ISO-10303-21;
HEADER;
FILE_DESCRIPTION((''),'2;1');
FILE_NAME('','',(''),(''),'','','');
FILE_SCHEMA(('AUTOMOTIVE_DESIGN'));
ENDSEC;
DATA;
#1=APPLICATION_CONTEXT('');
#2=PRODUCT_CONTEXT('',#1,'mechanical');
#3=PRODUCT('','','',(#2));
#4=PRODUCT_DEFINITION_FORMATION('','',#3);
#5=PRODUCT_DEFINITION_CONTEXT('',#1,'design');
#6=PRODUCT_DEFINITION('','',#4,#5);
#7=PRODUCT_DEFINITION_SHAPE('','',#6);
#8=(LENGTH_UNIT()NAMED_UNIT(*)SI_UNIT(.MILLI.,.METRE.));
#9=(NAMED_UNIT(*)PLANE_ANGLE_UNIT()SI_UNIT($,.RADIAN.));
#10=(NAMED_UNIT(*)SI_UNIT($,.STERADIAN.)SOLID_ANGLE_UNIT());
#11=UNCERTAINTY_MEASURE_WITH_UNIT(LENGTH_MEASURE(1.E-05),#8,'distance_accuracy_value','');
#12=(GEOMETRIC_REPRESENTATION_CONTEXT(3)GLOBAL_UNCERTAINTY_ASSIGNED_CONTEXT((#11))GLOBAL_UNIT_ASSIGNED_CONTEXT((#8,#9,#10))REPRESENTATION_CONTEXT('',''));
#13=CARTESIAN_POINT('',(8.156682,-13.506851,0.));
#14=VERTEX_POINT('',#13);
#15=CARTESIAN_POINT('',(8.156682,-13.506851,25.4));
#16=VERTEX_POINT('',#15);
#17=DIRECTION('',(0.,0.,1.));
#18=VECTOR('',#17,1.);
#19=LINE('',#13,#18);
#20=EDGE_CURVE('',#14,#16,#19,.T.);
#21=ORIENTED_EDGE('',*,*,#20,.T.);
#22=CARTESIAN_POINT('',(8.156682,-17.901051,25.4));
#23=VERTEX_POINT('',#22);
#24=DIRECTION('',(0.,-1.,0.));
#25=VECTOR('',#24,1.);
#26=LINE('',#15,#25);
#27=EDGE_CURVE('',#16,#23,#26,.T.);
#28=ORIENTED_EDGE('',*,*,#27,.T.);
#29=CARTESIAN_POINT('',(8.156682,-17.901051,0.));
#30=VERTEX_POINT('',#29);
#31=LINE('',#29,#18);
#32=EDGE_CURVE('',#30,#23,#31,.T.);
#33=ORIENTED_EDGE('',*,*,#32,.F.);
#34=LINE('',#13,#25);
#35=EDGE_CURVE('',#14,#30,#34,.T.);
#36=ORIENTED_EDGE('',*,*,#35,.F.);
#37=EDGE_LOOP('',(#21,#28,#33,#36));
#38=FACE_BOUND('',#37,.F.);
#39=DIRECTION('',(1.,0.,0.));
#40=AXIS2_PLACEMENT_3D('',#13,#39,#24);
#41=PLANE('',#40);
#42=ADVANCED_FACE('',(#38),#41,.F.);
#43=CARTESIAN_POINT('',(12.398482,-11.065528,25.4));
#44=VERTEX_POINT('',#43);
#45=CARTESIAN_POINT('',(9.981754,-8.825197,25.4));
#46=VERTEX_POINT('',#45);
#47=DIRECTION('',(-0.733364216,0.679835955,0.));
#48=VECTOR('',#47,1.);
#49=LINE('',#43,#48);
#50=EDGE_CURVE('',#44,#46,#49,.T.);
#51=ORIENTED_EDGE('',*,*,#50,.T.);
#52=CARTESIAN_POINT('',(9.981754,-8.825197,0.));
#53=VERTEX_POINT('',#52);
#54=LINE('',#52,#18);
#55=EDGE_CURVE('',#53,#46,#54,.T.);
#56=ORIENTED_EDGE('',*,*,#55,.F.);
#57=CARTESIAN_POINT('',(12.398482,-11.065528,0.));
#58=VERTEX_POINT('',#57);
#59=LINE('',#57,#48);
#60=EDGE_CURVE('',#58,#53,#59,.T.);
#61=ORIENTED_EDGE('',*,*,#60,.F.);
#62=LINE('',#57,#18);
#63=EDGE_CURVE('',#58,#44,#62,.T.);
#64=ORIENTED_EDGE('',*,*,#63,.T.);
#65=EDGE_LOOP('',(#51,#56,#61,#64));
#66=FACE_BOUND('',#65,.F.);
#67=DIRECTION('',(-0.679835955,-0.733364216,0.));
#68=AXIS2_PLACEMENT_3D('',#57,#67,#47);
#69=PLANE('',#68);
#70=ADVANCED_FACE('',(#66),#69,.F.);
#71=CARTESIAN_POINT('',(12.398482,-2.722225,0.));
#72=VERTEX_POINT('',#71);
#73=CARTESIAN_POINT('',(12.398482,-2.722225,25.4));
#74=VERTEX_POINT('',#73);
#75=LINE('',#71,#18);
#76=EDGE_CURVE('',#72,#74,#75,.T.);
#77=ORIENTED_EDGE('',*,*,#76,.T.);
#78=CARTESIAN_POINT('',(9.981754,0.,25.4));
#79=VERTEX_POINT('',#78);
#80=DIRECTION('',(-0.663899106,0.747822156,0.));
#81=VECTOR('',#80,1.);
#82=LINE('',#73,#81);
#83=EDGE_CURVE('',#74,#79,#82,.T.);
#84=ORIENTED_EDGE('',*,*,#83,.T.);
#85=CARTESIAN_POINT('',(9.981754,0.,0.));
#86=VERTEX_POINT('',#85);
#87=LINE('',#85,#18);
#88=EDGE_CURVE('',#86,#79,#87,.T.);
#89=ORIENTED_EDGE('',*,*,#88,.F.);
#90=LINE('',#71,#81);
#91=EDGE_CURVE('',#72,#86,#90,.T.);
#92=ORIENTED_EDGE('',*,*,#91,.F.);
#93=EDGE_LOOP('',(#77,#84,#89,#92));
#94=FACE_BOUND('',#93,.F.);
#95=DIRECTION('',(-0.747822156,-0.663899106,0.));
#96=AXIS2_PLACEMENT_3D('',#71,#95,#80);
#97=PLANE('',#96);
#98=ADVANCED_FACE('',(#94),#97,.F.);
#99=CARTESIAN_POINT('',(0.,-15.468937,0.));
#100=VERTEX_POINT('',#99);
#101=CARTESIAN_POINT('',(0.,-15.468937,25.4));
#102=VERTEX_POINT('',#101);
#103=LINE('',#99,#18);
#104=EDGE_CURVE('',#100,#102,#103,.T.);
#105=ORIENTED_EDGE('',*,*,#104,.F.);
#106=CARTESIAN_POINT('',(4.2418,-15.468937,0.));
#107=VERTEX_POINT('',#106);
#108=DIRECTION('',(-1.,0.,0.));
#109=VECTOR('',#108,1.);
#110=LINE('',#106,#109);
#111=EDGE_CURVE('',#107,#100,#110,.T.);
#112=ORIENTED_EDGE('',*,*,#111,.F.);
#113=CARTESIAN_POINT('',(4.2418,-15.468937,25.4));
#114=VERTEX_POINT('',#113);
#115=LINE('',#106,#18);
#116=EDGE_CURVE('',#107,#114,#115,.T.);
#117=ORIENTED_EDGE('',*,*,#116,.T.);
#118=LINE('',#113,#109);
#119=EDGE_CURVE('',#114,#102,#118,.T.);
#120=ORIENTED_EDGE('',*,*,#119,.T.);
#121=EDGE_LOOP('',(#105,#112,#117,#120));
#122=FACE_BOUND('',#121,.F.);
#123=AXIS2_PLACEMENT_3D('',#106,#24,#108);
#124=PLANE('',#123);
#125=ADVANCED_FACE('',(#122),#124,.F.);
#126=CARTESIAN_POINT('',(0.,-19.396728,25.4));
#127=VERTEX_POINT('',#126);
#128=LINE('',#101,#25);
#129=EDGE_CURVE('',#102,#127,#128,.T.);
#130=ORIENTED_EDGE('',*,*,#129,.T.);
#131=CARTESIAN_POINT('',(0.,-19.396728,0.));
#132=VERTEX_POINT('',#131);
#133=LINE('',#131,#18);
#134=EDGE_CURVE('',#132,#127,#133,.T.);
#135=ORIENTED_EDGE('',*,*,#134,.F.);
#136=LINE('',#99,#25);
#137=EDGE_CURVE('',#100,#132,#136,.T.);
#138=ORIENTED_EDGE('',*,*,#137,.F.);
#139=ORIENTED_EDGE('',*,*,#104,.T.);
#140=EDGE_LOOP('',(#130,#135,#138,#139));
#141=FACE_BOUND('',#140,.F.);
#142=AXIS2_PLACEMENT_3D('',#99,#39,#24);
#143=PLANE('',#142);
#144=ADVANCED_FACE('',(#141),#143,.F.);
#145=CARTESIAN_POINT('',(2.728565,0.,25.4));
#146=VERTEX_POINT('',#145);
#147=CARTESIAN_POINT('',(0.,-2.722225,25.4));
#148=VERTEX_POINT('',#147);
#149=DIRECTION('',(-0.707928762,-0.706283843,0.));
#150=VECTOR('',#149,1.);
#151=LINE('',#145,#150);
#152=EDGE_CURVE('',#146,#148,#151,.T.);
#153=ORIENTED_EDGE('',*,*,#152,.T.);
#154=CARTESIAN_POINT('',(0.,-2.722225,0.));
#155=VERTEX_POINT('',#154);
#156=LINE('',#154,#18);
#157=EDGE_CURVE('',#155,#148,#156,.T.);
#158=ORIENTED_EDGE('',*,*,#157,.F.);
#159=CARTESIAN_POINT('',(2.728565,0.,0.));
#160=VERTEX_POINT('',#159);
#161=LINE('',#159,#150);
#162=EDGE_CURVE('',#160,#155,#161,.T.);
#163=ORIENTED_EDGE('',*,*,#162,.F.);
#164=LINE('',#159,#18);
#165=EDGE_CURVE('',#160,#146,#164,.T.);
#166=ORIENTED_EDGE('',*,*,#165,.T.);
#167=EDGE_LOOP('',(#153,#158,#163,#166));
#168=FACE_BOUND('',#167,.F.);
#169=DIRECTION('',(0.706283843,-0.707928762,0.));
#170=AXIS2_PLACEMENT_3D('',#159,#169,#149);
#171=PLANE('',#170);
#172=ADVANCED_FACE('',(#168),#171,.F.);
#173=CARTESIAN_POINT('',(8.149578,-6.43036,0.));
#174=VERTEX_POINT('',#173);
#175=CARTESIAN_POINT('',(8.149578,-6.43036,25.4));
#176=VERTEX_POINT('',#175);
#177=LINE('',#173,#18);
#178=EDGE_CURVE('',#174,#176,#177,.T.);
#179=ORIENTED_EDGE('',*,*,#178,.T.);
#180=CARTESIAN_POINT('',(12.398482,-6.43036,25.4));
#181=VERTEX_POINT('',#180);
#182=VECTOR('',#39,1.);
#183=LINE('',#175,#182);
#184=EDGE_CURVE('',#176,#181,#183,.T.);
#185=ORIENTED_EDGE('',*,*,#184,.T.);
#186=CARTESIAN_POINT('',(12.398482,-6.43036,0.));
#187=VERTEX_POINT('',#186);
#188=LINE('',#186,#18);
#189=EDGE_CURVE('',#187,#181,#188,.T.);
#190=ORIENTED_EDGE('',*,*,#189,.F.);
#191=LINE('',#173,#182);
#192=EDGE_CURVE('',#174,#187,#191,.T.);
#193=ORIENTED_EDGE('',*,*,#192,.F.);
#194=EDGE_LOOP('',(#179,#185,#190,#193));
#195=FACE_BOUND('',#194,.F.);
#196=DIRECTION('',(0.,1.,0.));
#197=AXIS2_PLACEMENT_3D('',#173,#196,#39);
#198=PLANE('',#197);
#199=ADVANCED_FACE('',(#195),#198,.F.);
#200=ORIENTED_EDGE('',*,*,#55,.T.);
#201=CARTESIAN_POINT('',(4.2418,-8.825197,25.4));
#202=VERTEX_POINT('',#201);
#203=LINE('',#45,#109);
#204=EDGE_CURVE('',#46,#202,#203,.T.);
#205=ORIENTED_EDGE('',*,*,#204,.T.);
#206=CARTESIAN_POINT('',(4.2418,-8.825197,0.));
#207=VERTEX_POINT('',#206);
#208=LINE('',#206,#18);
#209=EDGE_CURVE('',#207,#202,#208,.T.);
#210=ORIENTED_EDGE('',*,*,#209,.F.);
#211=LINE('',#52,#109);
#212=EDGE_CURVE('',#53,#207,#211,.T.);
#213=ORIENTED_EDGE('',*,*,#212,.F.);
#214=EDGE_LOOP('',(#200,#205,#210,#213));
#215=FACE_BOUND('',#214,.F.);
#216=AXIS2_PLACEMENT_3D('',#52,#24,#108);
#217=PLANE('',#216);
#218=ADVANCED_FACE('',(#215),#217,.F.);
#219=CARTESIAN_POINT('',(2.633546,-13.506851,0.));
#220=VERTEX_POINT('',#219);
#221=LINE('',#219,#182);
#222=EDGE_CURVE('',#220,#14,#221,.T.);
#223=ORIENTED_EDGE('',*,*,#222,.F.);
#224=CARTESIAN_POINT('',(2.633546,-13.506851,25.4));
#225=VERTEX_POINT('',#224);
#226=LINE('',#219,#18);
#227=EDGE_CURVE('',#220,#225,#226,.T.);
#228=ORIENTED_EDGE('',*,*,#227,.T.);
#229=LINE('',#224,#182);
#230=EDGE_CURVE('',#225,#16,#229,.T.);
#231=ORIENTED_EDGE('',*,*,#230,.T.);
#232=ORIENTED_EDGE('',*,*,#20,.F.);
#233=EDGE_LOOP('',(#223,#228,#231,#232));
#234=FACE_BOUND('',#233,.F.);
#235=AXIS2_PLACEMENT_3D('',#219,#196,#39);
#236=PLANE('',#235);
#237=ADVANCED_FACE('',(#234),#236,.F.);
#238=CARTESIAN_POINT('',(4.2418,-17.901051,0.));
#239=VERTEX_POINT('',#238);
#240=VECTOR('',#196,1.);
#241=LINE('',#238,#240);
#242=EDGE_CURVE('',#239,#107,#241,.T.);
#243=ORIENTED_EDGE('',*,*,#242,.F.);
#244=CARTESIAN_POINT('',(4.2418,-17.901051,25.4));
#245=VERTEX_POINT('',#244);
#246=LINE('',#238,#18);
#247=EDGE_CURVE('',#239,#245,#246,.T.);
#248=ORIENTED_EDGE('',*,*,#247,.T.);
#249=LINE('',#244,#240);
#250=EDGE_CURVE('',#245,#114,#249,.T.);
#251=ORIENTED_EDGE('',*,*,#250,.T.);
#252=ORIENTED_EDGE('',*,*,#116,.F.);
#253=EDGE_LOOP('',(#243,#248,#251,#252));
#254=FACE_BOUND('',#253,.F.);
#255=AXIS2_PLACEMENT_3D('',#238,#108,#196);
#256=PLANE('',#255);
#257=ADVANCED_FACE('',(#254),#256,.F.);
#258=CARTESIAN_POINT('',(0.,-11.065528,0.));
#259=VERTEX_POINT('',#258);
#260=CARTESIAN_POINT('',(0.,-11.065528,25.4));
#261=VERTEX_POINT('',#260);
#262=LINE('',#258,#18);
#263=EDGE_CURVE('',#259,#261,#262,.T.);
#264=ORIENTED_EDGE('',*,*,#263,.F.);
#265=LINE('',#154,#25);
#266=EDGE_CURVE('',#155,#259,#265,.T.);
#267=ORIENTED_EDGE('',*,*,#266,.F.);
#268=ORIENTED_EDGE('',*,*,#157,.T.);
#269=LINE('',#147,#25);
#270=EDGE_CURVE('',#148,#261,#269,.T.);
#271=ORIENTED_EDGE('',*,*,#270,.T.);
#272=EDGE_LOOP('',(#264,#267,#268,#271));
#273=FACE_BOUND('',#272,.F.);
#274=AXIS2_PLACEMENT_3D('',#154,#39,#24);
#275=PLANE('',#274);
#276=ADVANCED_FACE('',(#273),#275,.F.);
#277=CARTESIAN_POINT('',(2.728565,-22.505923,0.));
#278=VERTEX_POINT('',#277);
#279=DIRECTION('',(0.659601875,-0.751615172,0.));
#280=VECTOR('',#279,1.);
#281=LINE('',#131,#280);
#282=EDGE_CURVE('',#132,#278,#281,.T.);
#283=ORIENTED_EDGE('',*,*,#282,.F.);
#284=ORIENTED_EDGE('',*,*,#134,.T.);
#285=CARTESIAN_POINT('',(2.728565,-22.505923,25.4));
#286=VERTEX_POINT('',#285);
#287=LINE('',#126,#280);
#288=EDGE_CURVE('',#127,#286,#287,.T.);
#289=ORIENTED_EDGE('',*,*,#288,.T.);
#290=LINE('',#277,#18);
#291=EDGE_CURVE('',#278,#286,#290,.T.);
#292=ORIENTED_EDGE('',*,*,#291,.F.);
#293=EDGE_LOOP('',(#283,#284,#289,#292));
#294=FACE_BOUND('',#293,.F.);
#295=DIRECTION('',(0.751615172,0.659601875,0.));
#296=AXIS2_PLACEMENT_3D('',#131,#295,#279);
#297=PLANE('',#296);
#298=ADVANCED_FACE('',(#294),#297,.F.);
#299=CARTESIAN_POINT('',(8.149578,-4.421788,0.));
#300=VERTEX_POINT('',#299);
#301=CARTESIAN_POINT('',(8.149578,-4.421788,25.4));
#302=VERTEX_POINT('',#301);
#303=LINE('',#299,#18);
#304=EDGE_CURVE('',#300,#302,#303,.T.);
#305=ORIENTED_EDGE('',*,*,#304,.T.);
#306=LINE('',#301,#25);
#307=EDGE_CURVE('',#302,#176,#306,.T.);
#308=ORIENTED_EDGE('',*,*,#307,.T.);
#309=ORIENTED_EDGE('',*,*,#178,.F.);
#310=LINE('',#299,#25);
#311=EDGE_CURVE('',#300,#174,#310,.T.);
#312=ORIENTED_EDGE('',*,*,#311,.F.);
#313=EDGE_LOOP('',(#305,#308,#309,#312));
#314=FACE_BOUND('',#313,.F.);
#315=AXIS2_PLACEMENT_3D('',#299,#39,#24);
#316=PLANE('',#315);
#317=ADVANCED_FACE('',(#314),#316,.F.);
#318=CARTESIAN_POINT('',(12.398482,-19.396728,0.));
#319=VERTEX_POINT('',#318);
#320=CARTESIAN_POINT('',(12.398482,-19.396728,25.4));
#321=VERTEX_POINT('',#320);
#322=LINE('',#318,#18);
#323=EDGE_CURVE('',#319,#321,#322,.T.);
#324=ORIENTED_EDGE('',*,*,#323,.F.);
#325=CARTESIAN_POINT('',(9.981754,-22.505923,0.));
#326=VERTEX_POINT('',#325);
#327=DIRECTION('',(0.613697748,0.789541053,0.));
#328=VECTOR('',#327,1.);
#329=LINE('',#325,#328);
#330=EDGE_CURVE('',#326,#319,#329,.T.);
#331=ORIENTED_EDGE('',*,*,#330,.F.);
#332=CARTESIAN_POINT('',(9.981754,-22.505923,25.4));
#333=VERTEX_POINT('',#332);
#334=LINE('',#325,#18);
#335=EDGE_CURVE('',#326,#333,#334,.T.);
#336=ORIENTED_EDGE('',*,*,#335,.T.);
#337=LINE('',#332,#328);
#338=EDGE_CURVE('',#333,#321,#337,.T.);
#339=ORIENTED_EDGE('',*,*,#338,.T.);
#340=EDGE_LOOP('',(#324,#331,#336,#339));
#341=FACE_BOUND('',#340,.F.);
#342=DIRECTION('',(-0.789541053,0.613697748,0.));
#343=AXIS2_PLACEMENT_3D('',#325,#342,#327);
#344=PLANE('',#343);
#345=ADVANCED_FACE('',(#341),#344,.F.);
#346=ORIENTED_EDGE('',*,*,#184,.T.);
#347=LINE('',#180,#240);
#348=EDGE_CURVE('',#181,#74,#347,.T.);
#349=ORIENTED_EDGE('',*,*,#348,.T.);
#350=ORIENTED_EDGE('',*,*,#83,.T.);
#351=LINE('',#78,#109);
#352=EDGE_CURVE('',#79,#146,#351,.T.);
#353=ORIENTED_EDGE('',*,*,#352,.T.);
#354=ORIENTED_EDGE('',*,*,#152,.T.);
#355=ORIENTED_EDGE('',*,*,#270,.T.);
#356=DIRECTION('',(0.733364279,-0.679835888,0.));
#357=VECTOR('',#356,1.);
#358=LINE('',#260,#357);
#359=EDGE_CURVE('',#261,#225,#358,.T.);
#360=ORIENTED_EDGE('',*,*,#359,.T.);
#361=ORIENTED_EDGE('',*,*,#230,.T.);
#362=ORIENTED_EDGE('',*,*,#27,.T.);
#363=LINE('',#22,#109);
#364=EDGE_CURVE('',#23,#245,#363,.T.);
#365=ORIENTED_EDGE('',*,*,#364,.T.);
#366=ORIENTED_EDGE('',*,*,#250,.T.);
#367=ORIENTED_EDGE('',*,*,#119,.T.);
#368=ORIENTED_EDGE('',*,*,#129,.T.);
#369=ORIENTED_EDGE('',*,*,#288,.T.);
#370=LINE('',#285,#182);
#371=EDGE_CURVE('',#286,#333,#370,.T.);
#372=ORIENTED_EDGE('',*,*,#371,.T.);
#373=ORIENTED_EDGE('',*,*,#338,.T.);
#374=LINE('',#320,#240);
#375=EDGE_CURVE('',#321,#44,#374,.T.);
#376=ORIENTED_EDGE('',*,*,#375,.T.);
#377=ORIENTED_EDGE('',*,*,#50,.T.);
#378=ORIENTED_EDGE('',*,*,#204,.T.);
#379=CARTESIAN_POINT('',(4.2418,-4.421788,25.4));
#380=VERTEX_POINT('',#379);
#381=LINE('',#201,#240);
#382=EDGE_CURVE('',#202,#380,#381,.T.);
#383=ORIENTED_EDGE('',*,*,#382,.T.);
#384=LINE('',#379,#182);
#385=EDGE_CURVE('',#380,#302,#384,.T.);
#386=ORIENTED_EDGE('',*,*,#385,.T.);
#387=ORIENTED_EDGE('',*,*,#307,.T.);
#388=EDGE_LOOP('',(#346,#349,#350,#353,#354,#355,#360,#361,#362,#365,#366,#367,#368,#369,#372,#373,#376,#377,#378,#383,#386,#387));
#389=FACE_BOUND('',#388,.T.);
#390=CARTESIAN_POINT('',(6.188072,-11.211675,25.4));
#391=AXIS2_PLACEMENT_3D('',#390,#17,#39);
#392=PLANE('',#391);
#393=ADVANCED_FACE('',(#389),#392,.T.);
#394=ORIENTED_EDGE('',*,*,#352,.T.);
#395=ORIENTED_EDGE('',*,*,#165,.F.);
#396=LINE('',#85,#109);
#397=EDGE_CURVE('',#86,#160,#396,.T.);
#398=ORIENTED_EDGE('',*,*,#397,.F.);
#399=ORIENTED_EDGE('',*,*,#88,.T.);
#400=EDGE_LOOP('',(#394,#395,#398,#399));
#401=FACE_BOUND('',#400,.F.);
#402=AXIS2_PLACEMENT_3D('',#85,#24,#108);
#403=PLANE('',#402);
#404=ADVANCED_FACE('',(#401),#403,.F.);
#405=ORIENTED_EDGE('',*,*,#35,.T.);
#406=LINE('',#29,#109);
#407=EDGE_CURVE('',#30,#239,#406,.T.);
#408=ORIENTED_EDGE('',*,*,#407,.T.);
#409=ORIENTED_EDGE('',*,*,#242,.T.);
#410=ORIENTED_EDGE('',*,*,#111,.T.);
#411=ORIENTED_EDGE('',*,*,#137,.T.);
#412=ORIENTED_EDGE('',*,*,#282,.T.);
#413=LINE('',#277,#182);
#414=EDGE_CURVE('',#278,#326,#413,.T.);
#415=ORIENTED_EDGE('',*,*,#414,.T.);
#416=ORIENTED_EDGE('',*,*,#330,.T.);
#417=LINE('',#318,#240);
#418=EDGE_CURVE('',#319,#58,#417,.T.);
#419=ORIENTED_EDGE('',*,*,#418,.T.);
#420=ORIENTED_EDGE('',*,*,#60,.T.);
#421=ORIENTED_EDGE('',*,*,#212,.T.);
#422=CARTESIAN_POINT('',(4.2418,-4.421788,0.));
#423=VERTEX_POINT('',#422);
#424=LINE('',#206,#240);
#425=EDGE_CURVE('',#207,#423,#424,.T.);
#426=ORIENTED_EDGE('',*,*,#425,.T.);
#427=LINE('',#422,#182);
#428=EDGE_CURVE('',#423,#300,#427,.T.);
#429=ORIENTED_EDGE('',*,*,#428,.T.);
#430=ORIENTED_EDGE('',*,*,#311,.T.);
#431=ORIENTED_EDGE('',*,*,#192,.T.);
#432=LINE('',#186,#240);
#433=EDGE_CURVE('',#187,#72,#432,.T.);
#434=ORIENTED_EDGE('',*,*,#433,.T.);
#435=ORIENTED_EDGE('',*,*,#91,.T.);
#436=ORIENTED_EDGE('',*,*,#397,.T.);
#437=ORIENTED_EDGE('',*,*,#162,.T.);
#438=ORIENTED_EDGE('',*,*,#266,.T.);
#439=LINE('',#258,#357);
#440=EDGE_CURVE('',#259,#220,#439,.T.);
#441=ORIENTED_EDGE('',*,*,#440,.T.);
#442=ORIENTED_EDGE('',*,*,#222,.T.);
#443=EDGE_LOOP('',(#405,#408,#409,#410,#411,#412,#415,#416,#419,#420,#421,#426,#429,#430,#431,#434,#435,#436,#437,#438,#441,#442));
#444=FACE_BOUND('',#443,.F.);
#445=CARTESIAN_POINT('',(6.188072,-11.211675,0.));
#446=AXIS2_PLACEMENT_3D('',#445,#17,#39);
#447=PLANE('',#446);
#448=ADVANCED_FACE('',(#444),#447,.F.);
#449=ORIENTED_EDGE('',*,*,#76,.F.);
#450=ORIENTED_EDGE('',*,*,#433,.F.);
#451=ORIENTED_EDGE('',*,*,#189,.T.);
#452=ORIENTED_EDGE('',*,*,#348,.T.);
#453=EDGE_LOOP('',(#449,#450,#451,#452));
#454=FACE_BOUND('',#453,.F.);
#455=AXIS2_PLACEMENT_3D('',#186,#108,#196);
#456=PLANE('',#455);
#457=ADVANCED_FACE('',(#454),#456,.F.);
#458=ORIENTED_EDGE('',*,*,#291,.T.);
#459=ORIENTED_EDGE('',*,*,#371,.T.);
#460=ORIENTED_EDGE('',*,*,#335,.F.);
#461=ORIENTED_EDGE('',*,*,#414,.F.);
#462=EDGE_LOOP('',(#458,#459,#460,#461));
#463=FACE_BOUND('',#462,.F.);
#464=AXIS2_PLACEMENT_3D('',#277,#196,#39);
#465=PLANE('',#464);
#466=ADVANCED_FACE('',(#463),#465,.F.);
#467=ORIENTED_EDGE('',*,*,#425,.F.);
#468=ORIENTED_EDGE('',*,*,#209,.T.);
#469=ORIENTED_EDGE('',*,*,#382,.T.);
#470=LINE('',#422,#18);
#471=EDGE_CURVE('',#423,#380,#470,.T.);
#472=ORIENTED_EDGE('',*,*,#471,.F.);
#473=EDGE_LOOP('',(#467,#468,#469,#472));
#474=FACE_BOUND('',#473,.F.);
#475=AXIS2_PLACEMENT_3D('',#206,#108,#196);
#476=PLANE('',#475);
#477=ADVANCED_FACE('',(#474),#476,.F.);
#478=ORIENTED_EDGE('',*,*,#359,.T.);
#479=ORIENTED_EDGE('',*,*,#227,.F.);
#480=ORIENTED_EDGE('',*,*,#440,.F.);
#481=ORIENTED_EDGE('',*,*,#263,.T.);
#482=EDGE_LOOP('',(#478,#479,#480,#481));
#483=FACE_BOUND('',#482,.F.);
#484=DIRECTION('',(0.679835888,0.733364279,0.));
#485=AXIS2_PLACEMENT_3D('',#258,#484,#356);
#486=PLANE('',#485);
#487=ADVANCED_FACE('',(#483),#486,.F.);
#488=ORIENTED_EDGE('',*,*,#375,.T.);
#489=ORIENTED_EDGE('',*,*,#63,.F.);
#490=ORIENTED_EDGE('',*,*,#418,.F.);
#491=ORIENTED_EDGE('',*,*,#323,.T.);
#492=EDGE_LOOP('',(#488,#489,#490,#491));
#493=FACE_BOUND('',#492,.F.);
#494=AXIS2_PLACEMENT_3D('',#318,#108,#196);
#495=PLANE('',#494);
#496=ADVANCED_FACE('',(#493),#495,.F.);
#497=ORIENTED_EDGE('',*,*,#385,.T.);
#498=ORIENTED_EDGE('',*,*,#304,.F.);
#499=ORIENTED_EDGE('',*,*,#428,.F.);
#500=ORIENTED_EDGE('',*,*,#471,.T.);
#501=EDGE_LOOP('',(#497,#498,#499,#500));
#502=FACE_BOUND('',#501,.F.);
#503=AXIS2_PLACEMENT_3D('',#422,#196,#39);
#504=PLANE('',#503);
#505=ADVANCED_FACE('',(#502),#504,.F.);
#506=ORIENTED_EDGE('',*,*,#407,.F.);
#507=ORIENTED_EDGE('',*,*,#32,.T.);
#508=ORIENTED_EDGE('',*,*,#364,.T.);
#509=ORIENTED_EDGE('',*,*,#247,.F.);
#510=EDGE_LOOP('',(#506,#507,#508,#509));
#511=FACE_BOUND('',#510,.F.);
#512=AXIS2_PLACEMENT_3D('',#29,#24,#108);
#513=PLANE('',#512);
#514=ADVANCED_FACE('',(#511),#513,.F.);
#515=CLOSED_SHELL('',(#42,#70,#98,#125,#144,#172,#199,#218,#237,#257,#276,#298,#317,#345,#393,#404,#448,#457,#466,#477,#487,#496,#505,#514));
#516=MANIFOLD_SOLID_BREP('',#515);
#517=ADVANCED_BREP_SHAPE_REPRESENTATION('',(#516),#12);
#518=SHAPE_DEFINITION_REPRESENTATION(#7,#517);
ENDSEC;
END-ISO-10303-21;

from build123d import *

# Parameters (mm, degrees)
F1_DEPTH = 25.4


with BuildPart() as f1:
    # F0 (on Top) → F1 (new body)
    with BuildSketch(Plane.XY):
        Polygon((12.398482, -2.722225), (9.981754, 0), (2.728565, 0), (0, -2.722225), (0, -11.065528), (2.633546, -13.506851), (8.156682, -13.506851), (8.156682, -17.901051), (4.2418, -17.901051), (4.2418, -15.468937), (0, -15.468937), (0, -19.396728), (2.728565, -22.505923), (9.981754, -22.505923), (12.398482, -19.396728), (12.398482, -11.065528), (9.981754, -8.825197), (4.2418, -8.825197), (4.2418, -4.421788), (8.149578, -4.421788), (8.149578, -6.43036), (12.398482, -6.43036), align=None)
    extrude(amount=F1_DEPTH)


solid = f1.part
